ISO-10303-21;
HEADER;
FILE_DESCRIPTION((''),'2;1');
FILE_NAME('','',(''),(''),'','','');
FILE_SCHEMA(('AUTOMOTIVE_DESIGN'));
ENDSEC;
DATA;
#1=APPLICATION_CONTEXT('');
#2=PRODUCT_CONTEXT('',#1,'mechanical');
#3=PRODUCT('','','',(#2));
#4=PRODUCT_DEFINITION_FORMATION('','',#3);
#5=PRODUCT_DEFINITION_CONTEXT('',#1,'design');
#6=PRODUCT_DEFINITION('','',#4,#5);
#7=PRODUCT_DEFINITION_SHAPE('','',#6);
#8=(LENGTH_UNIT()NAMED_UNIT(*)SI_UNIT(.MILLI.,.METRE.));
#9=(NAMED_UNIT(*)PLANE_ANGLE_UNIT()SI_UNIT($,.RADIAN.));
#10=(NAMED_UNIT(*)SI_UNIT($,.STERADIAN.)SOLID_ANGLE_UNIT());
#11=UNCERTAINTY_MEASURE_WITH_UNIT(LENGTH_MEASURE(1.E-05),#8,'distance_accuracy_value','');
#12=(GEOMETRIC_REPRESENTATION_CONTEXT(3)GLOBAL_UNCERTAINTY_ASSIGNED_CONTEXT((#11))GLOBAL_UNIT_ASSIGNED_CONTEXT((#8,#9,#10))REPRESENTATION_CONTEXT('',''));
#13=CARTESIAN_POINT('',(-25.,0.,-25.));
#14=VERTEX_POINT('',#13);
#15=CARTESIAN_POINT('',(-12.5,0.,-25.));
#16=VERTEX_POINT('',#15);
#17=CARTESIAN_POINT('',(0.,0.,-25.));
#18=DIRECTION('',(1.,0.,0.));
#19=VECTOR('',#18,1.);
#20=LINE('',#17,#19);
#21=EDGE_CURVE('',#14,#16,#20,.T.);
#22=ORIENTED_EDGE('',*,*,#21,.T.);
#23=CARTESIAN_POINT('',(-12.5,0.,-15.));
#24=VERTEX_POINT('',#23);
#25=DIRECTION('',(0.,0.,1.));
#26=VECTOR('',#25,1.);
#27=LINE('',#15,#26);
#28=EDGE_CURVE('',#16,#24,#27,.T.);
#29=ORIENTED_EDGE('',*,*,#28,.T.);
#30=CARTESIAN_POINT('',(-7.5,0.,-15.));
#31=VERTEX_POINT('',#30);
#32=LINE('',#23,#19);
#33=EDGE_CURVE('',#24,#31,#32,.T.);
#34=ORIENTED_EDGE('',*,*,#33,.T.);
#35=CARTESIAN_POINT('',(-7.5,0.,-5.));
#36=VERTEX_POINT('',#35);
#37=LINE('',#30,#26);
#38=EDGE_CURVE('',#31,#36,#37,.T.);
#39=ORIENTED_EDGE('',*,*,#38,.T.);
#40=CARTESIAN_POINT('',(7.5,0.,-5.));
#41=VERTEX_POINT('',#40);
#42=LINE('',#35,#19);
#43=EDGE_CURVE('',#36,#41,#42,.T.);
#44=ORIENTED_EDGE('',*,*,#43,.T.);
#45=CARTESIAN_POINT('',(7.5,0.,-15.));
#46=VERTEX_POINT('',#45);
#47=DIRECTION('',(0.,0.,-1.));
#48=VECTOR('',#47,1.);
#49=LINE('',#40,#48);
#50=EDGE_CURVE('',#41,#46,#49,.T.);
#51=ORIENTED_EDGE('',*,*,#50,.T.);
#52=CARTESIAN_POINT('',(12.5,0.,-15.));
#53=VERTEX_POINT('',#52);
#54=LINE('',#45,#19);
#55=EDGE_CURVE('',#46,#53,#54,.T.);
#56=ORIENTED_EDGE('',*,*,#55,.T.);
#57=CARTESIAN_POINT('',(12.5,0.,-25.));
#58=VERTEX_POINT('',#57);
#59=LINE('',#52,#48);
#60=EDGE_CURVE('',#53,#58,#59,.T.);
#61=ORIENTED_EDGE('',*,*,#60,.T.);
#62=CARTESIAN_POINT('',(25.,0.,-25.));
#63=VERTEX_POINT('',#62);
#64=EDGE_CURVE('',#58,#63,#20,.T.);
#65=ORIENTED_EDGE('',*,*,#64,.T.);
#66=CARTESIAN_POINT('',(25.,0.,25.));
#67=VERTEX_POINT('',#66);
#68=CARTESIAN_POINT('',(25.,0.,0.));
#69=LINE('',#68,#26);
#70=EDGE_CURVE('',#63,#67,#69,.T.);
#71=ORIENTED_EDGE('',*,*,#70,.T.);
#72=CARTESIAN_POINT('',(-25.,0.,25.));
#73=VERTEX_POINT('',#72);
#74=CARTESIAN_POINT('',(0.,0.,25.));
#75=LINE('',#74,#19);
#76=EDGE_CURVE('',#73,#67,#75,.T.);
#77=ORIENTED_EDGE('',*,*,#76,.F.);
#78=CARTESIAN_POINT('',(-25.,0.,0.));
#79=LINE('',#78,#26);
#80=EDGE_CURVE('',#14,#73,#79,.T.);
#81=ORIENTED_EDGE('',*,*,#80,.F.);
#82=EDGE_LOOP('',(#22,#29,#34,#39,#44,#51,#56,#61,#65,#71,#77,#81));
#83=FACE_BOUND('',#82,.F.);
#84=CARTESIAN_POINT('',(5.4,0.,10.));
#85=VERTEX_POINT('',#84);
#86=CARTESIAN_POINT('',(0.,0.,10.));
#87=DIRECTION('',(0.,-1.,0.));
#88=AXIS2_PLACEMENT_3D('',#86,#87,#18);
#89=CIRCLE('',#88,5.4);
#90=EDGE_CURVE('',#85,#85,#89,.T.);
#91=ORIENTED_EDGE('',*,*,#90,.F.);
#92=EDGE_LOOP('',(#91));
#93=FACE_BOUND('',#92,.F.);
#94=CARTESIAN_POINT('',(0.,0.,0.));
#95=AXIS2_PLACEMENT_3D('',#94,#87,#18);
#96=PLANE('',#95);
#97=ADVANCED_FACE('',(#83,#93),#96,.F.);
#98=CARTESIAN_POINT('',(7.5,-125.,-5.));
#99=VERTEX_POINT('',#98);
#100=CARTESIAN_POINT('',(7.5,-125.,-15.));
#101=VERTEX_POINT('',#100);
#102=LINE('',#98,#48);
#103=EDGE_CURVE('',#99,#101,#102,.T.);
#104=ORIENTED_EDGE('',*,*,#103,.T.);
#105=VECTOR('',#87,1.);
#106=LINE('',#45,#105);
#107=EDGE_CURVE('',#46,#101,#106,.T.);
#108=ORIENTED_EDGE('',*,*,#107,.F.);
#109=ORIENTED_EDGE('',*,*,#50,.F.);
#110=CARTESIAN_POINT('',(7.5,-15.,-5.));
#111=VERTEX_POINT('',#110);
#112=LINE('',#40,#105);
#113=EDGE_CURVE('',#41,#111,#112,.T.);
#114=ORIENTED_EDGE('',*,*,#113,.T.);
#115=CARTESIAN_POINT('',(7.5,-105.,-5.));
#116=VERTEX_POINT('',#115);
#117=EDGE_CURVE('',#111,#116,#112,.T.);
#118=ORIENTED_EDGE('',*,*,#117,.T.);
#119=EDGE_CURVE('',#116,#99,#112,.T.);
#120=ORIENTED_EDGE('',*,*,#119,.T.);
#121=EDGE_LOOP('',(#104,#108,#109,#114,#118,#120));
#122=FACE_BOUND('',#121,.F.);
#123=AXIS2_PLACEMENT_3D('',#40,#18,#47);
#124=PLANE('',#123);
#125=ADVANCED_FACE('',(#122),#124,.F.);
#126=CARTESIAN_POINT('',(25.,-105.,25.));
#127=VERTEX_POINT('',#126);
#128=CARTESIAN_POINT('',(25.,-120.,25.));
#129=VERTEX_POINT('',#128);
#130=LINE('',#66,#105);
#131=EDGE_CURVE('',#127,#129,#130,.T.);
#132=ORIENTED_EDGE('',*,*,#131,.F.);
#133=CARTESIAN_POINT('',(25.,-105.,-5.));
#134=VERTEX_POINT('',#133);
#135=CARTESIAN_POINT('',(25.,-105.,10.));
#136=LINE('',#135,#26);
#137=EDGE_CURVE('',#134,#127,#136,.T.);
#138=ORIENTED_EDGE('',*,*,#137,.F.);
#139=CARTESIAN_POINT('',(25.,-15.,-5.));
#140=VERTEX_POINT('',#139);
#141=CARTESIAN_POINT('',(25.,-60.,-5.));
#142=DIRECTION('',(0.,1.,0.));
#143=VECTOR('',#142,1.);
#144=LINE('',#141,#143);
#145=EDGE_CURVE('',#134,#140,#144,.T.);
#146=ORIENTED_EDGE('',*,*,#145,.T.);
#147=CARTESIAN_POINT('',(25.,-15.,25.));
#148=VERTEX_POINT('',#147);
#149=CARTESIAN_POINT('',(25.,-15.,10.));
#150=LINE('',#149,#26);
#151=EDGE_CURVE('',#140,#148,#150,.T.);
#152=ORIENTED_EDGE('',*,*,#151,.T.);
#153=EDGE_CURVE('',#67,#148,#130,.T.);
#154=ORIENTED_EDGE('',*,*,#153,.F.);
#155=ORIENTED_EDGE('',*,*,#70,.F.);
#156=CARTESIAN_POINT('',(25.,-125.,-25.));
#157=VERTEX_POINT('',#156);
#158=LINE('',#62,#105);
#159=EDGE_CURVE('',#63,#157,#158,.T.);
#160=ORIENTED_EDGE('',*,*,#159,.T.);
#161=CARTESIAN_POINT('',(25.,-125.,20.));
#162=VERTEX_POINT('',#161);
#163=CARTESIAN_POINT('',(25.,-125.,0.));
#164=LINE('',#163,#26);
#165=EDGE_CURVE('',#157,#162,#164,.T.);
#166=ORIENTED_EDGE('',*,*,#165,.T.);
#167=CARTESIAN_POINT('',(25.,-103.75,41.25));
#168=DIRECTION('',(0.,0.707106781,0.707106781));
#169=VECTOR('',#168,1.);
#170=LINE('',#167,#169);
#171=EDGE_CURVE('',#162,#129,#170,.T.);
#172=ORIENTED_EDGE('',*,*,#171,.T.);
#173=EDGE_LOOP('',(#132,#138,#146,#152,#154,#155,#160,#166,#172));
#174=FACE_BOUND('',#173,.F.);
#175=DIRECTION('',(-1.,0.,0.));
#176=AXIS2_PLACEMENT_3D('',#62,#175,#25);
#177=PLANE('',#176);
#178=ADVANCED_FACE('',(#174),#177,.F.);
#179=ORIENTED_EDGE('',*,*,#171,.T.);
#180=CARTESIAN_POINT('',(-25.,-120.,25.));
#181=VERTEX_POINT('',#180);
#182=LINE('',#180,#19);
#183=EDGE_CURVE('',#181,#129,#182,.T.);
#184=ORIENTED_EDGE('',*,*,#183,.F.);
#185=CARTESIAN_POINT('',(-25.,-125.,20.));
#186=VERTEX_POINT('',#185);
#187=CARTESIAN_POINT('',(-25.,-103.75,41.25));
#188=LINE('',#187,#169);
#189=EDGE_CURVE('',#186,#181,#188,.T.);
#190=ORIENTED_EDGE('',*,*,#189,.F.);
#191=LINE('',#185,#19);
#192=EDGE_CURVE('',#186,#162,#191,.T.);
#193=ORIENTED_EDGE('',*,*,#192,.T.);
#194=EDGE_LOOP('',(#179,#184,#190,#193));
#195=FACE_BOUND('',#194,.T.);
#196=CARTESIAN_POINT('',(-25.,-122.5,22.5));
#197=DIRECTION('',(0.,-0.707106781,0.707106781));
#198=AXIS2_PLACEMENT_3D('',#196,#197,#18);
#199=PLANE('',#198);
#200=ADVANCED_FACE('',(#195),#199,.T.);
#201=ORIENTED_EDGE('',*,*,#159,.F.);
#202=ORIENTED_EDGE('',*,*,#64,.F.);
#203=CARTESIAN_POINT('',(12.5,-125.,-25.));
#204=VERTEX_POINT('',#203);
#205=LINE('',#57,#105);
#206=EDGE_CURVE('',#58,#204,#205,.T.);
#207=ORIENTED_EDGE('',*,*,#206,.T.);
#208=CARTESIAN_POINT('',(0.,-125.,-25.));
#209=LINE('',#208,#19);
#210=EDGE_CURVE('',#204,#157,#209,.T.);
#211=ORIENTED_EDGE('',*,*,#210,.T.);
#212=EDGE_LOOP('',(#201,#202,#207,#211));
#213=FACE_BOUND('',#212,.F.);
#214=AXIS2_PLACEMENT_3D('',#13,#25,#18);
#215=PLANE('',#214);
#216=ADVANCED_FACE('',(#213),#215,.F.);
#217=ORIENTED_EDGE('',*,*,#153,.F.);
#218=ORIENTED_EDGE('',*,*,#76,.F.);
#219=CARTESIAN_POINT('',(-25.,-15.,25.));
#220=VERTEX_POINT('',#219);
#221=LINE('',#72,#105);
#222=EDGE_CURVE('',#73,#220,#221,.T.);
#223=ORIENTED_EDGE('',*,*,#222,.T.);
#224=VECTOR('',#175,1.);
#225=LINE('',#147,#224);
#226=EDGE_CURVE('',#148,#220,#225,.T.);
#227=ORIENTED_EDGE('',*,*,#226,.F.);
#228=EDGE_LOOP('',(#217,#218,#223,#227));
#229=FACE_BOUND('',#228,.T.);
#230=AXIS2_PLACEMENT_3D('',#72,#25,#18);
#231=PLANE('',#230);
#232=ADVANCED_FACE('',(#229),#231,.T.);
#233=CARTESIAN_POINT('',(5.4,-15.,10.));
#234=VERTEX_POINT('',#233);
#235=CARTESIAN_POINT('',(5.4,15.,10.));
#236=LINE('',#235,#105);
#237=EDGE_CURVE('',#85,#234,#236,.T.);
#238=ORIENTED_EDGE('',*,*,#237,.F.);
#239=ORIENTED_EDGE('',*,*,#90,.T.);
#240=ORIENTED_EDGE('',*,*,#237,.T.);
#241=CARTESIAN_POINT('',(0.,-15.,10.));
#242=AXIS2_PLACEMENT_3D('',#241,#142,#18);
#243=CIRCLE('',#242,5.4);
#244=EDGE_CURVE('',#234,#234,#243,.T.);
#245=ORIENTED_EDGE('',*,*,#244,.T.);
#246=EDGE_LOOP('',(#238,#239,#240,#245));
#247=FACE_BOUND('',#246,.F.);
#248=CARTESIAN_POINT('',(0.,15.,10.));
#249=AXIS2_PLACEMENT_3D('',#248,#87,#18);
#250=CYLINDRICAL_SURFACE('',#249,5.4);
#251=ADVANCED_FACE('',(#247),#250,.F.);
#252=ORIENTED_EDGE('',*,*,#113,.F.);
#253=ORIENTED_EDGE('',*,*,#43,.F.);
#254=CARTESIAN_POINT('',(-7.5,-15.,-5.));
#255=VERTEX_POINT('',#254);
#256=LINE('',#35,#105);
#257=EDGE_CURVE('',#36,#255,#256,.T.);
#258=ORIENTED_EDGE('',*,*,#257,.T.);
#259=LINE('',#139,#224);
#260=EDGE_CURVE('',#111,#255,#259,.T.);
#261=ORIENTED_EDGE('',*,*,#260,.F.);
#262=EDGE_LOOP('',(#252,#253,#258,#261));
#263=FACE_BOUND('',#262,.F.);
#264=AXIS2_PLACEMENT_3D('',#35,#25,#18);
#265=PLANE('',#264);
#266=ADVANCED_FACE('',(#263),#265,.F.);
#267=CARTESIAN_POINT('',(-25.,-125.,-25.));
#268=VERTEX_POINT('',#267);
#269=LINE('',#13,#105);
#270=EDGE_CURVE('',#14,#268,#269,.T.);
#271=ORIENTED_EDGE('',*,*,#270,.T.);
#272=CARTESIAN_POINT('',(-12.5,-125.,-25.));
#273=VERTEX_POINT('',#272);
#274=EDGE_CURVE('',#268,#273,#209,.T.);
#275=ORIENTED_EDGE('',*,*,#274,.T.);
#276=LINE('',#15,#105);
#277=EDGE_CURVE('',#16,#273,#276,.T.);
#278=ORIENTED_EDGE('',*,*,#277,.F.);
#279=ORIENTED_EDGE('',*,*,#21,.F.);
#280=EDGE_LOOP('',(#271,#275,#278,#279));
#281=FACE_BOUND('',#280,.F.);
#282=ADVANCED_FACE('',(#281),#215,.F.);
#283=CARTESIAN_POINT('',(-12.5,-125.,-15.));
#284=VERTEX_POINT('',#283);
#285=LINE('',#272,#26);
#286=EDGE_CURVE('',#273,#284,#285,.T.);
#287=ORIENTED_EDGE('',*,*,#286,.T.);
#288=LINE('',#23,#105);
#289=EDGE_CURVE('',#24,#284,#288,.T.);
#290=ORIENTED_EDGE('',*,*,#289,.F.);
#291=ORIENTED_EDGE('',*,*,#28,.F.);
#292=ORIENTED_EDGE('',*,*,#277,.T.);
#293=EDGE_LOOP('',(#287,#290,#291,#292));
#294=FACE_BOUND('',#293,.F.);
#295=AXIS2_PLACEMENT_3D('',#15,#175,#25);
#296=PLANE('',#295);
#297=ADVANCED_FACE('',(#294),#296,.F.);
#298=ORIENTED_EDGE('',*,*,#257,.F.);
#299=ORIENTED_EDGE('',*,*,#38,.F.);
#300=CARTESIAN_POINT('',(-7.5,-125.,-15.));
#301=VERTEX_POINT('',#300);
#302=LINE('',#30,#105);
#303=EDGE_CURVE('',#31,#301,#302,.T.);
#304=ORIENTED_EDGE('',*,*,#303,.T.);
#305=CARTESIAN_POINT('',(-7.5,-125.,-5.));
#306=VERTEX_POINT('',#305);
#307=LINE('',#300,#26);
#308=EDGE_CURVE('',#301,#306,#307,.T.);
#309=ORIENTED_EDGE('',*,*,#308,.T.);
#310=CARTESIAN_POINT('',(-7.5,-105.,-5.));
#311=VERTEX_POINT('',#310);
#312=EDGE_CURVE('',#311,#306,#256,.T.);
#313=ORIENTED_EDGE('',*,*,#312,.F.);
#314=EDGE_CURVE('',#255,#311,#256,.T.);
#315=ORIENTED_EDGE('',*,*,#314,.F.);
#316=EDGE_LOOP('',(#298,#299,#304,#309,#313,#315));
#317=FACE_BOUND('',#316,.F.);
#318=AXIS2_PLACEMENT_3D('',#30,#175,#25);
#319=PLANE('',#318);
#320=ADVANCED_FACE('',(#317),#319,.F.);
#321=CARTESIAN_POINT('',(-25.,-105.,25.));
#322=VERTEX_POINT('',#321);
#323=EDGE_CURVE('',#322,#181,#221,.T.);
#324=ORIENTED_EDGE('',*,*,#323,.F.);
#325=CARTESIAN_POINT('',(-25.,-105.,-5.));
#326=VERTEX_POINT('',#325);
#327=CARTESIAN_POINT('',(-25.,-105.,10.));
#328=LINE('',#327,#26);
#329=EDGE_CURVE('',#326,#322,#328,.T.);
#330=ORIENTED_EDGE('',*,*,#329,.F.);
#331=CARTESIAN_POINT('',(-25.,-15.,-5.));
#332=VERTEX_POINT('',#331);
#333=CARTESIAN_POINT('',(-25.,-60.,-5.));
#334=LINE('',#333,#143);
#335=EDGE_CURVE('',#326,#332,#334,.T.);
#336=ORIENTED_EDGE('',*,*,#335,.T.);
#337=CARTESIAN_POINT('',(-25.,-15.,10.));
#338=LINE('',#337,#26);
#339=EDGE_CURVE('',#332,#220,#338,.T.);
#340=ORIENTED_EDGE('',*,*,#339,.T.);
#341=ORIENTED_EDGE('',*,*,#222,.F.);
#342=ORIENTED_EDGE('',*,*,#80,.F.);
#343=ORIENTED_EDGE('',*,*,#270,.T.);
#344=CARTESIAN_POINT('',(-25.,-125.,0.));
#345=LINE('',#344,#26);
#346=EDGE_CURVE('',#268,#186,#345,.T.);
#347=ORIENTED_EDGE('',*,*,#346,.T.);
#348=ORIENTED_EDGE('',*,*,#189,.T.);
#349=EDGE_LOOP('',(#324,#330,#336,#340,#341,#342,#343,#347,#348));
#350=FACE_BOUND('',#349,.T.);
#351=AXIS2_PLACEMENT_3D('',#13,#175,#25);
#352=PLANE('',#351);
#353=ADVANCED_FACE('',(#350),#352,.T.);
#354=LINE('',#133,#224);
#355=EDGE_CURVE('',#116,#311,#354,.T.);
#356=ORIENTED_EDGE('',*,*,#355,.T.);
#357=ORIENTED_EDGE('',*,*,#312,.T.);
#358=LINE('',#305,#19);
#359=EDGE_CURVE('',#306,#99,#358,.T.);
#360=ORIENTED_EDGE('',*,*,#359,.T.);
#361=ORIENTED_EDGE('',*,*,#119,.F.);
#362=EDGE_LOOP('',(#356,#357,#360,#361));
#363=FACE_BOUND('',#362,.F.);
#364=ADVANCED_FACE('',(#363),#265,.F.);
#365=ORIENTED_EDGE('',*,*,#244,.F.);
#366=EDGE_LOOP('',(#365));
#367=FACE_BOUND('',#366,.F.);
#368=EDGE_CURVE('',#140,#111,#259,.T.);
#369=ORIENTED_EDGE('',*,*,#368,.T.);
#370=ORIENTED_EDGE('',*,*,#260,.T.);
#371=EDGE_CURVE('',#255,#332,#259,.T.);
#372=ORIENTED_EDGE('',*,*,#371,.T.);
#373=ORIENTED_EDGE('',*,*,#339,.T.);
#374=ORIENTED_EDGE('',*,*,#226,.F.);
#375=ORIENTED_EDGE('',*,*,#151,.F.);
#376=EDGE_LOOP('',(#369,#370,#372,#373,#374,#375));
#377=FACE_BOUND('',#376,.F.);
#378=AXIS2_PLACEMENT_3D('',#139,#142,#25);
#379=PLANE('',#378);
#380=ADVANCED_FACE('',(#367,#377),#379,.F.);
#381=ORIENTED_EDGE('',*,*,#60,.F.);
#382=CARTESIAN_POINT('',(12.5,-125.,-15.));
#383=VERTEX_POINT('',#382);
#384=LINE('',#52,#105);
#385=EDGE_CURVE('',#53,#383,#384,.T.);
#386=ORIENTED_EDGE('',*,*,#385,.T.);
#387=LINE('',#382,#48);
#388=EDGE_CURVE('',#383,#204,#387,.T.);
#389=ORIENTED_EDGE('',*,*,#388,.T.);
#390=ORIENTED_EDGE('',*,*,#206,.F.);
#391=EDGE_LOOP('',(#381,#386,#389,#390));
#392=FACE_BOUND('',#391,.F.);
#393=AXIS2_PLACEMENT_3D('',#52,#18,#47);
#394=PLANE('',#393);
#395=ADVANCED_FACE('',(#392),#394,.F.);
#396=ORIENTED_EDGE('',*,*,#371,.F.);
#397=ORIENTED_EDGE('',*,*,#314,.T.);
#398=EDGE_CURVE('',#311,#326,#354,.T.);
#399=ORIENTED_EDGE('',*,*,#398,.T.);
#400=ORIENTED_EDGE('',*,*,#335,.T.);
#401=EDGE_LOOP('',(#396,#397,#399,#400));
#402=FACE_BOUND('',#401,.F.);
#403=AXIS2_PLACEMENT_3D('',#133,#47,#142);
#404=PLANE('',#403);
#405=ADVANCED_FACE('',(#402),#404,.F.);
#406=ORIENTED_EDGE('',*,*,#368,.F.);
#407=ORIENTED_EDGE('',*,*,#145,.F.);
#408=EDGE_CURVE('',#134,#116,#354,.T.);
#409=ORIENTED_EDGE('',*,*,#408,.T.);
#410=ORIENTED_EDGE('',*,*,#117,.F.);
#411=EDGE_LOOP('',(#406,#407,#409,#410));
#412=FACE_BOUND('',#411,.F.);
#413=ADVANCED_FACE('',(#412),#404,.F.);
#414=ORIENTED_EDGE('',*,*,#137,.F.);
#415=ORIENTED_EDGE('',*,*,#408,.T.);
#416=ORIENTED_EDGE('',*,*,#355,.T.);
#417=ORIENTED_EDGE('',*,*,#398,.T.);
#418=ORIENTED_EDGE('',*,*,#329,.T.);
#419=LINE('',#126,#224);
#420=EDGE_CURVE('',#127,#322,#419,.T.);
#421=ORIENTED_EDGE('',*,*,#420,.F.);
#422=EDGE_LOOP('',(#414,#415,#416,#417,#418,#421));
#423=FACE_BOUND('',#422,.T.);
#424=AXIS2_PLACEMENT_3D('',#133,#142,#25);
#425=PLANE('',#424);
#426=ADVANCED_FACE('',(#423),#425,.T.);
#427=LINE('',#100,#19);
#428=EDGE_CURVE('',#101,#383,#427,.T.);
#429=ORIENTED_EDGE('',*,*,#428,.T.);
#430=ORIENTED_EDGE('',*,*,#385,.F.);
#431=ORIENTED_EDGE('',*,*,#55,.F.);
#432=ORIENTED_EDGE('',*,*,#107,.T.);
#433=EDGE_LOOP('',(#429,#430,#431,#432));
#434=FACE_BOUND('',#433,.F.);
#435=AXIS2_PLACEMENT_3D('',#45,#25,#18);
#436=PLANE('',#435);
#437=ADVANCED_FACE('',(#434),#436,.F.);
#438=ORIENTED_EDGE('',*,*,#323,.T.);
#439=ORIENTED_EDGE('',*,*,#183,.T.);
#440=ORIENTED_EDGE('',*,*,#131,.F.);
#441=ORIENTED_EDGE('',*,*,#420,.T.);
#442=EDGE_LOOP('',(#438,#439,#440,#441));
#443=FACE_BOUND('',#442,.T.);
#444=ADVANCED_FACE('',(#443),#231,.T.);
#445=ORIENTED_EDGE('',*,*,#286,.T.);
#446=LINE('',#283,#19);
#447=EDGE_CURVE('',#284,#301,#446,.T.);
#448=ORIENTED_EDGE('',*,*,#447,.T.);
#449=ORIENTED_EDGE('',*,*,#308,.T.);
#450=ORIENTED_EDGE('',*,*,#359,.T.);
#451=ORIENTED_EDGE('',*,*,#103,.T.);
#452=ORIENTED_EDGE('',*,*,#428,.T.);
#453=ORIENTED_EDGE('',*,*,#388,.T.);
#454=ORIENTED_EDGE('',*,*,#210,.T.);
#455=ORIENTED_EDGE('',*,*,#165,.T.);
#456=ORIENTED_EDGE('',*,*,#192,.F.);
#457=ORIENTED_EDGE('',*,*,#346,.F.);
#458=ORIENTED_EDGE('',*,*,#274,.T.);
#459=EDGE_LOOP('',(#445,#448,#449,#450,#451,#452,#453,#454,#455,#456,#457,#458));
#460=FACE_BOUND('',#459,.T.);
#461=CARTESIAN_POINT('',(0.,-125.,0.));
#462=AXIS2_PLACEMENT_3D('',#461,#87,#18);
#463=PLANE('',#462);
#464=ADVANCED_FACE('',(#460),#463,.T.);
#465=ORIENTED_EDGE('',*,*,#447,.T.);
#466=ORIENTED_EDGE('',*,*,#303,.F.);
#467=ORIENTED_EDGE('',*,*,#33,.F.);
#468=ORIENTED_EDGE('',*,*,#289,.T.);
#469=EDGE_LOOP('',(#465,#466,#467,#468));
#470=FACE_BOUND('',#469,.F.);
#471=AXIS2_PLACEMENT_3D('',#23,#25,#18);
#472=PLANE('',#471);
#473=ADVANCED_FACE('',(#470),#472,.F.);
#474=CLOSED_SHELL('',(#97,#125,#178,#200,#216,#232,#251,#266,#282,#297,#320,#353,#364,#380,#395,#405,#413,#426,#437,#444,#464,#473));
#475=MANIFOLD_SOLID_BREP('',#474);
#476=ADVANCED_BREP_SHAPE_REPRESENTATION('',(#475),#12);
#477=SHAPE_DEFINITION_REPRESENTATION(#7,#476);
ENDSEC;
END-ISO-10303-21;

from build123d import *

# Parameters (mm, degrees)
F0_W     = 50
F0_H     = 50
F1_DEPTH = 125
F2_W     = 90
F2_H     = 30
F3_DEPTH = 50
F5_DEPTH = 125
F6_D     = 10.8
F6_DEPTH = 15
F6_TIP   = 3.2446473427
F7_SIZE  = 5


with BuildPart() as f1:
    # F0 (on Front) → F1 (new body)
    with BuildSketch(Plane.XZ):
        Rectangle(F0_W, F0_H)
    extrude(amount=F1_DEPTH)

    # F2 (on face) → F3 (cut)
    with BuildSketch(Plane.YZ.offset(25)):
        with Locations((-60, 10)):
            Rectangle(F2_W, F2_H)
    extrude(amount=-F3_DEPTH, mode=Mode.SUBTRACT)

    # F4 (on face) → F5 (cut)
    with BuildSketch(Plane(origin=(0, 0, 0), x_dir=(-1, 0, 0), z_dir=(0, 1, 0))):
        Polygon((-12.5, -15), (-12.5, -25), (12.5, -25), (12.5, -15), (7.5, -15), (7.5, -5), (-7.5, -5), (-7.5, -15), align=None)
    extrude(amount=-F5_DEPTH, mode=Mode.SUBTRACT)

    # F6
    with Locations(Plane(origin=(0, 0, 0), x_dir=(-1, 0, 0), z_dir=(0, 1, 0))):
        with Locations((0, 10)):
            Hole(F6_D / 2, depth=F6_DEPTH)
            with Locations((0, 0, -(F6_DEPTH + F6_TIP / 2))):  # 118° drill point
                Cone(0, F6_D / 2, F6_TIP, mode=Mode.SUBTRACT)

    # F7
    f7_edges = [f1.edges().sort_by_distance(p)[0] for p in [
        (0, -125, 25),
    ]]
    chamfer(f7_edges, length=F7_SIZE)


solid = f1.part
